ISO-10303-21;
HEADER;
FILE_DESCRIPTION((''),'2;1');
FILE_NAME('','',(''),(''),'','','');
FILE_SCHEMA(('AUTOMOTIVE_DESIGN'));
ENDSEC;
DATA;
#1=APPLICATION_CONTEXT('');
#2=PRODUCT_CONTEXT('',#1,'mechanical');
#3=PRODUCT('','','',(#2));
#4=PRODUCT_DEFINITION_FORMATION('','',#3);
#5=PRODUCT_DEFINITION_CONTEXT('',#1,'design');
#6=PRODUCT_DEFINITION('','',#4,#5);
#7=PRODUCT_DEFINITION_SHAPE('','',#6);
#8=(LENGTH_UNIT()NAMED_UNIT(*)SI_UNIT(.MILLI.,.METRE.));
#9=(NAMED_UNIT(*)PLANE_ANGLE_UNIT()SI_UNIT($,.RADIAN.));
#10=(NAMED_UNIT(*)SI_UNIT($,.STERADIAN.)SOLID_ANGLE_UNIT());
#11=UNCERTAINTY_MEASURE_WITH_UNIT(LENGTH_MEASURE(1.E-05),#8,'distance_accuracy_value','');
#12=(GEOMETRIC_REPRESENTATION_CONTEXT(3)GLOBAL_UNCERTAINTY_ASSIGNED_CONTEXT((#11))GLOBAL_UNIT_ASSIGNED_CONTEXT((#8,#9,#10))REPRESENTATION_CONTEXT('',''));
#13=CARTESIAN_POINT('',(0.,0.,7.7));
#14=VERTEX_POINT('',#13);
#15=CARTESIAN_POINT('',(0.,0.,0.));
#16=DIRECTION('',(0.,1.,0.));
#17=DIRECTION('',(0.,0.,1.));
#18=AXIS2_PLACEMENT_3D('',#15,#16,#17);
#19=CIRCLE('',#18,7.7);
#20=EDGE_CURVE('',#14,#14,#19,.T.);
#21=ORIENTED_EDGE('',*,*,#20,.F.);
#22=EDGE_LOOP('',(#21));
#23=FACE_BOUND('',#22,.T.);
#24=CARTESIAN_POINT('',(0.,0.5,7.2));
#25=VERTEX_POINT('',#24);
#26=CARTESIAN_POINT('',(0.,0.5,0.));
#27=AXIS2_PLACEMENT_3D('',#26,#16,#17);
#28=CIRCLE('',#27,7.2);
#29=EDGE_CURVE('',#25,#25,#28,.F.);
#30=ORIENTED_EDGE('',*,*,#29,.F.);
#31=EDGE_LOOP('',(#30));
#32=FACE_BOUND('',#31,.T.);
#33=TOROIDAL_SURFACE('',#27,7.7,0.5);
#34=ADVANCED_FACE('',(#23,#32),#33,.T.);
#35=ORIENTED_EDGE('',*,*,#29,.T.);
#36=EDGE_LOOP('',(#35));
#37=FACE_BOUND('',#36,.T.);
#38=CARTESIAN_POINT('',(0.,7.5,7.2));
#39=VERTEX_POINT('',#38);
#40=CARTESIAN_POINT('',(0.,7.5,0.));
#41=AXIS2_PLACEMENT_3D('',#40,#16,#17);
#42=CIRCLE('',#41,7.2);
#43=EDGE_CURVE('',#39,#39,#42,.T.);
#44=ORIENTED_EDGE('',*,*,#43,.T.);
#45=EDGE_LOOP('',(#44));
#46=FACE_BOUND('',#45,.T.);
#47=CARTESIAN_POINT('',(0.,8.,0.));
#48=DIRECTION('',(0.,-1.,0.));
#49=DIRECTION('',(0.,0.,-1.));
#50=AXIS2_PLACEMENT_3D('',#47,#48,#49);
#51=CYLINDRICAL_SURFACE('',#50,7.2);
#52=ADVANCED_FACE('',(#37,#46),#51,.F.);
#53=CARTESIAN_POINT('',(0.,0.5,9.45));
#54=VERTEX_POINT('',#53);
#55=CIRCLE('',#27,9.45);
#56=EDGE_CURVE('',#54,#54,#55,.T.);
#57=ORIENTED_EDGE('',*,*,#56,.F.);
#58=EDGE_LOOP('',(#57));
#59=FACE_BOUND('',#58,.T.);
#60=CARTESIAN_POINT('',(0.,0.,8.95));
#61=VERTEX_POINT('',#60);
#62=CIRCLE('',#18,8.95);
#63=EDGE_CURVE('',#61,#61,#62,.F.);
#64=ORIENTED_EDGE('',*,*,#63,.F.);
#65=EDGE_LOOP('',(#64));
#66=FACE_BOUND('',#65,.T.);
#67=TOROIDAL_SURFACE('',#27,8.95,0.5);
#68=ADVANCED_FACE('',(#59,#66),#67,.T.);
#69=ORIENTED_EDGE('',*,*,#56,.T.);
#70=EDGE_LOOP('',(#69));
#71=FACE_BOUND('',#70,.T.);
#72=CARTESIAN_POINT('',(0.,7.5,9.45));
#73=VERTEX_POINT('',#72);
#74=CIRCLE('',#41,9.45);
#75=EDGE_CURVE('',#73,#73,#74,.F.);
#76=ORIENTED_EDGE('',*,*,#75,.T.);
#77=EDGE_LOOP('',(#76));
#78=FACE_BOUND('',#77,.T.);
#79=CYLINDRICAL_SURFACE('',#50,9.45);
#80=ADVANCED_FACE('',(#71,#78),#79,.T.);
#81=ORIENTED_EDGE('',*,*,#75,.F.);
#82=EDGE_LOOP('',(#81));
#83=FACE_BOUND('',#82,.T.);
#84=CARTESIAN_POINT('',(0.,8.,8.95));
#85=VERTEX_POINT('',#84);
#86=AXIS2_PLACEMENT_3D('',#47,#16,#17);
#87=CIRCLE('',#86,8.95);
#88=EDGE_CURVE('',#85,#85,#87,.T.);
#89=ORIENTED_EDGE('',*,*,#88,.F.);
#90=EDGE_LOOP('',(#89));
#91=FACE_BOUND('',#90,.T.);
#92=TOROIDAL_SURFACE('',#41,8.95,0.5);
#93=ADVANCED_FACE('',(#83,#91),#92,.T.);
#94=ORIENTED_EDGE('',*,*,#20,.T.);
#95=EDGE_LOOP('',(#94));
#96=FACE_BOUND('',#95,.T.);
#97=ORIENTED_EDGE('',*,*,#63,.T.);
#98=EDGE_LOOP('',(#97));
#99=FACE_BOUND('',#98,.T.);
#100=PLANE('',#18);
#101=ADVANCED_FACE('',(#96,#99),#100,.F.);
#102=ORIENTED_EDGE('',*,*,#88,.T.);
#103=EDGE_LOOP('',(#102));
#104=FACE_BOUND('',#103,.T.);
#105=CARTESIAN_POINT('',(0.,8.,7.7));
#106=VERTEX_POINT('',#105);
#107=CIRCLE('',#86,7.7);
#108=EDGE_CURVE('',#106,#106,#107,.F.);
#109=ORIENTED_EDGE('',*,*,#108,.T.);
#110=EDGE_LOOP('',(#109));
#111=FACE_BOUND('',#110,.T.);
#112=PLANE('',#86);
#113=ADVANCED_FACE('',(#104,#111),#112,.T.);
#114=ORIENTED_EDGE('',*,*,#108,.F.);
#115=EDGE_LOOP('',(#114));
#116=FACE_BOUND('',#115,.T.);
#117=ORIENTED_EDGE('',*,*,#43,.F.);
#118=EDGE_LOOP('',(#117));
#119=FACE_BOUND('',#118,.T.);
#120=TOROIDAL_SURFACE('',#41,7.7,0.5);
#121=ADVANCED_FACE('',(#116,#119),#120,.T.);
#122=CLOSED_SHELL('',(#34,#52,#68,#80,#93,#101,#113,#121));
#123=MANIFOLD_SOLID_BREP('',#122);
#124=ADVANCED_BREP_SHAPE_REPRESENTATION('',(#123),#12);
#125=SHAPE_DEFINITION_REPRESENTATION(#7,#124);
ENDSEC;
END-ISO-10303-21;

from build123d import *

# Parameters (mm, degrees)
SKETCH1_R           = 9.45
SKETCH1_R_2         = 7.2
BOSS_EXTRUDE1_DEPTH = 8
FILLET1_R           = 0.5


with BuildPart() as part:
    # Sketch1 → Boss-Extrude1 (new body)
    with BuildSketch(Plane(origin=(0, 0, 0), x_dir=(1, 0, 0), z_dir=(0, 1, 0))):
        with Locations(Location((0, 0, 0), (0, 0, 270))):
            Circle(SKETCH1_R)
        with Locations(Location((0, 0, 0), (0, 0, 270))):
            Circle(SKETCH1_R_2, mode=Mode.SUBTRACT)
    extrude(amount=BOSS_EXTRUDE1_DEPTH)

    # Fillet1
    fillet1_edges = [part.edges().sort_by_distance(p)[0] for p in [
        (0, 0, -9.45),
        (0, 8, -9.45),
        (0, 0, -7.2),
        (0, 8, -7.2),
    ]]
    fillet(fillet1_edges, radius=FILLET1_R)


solid = part.part
